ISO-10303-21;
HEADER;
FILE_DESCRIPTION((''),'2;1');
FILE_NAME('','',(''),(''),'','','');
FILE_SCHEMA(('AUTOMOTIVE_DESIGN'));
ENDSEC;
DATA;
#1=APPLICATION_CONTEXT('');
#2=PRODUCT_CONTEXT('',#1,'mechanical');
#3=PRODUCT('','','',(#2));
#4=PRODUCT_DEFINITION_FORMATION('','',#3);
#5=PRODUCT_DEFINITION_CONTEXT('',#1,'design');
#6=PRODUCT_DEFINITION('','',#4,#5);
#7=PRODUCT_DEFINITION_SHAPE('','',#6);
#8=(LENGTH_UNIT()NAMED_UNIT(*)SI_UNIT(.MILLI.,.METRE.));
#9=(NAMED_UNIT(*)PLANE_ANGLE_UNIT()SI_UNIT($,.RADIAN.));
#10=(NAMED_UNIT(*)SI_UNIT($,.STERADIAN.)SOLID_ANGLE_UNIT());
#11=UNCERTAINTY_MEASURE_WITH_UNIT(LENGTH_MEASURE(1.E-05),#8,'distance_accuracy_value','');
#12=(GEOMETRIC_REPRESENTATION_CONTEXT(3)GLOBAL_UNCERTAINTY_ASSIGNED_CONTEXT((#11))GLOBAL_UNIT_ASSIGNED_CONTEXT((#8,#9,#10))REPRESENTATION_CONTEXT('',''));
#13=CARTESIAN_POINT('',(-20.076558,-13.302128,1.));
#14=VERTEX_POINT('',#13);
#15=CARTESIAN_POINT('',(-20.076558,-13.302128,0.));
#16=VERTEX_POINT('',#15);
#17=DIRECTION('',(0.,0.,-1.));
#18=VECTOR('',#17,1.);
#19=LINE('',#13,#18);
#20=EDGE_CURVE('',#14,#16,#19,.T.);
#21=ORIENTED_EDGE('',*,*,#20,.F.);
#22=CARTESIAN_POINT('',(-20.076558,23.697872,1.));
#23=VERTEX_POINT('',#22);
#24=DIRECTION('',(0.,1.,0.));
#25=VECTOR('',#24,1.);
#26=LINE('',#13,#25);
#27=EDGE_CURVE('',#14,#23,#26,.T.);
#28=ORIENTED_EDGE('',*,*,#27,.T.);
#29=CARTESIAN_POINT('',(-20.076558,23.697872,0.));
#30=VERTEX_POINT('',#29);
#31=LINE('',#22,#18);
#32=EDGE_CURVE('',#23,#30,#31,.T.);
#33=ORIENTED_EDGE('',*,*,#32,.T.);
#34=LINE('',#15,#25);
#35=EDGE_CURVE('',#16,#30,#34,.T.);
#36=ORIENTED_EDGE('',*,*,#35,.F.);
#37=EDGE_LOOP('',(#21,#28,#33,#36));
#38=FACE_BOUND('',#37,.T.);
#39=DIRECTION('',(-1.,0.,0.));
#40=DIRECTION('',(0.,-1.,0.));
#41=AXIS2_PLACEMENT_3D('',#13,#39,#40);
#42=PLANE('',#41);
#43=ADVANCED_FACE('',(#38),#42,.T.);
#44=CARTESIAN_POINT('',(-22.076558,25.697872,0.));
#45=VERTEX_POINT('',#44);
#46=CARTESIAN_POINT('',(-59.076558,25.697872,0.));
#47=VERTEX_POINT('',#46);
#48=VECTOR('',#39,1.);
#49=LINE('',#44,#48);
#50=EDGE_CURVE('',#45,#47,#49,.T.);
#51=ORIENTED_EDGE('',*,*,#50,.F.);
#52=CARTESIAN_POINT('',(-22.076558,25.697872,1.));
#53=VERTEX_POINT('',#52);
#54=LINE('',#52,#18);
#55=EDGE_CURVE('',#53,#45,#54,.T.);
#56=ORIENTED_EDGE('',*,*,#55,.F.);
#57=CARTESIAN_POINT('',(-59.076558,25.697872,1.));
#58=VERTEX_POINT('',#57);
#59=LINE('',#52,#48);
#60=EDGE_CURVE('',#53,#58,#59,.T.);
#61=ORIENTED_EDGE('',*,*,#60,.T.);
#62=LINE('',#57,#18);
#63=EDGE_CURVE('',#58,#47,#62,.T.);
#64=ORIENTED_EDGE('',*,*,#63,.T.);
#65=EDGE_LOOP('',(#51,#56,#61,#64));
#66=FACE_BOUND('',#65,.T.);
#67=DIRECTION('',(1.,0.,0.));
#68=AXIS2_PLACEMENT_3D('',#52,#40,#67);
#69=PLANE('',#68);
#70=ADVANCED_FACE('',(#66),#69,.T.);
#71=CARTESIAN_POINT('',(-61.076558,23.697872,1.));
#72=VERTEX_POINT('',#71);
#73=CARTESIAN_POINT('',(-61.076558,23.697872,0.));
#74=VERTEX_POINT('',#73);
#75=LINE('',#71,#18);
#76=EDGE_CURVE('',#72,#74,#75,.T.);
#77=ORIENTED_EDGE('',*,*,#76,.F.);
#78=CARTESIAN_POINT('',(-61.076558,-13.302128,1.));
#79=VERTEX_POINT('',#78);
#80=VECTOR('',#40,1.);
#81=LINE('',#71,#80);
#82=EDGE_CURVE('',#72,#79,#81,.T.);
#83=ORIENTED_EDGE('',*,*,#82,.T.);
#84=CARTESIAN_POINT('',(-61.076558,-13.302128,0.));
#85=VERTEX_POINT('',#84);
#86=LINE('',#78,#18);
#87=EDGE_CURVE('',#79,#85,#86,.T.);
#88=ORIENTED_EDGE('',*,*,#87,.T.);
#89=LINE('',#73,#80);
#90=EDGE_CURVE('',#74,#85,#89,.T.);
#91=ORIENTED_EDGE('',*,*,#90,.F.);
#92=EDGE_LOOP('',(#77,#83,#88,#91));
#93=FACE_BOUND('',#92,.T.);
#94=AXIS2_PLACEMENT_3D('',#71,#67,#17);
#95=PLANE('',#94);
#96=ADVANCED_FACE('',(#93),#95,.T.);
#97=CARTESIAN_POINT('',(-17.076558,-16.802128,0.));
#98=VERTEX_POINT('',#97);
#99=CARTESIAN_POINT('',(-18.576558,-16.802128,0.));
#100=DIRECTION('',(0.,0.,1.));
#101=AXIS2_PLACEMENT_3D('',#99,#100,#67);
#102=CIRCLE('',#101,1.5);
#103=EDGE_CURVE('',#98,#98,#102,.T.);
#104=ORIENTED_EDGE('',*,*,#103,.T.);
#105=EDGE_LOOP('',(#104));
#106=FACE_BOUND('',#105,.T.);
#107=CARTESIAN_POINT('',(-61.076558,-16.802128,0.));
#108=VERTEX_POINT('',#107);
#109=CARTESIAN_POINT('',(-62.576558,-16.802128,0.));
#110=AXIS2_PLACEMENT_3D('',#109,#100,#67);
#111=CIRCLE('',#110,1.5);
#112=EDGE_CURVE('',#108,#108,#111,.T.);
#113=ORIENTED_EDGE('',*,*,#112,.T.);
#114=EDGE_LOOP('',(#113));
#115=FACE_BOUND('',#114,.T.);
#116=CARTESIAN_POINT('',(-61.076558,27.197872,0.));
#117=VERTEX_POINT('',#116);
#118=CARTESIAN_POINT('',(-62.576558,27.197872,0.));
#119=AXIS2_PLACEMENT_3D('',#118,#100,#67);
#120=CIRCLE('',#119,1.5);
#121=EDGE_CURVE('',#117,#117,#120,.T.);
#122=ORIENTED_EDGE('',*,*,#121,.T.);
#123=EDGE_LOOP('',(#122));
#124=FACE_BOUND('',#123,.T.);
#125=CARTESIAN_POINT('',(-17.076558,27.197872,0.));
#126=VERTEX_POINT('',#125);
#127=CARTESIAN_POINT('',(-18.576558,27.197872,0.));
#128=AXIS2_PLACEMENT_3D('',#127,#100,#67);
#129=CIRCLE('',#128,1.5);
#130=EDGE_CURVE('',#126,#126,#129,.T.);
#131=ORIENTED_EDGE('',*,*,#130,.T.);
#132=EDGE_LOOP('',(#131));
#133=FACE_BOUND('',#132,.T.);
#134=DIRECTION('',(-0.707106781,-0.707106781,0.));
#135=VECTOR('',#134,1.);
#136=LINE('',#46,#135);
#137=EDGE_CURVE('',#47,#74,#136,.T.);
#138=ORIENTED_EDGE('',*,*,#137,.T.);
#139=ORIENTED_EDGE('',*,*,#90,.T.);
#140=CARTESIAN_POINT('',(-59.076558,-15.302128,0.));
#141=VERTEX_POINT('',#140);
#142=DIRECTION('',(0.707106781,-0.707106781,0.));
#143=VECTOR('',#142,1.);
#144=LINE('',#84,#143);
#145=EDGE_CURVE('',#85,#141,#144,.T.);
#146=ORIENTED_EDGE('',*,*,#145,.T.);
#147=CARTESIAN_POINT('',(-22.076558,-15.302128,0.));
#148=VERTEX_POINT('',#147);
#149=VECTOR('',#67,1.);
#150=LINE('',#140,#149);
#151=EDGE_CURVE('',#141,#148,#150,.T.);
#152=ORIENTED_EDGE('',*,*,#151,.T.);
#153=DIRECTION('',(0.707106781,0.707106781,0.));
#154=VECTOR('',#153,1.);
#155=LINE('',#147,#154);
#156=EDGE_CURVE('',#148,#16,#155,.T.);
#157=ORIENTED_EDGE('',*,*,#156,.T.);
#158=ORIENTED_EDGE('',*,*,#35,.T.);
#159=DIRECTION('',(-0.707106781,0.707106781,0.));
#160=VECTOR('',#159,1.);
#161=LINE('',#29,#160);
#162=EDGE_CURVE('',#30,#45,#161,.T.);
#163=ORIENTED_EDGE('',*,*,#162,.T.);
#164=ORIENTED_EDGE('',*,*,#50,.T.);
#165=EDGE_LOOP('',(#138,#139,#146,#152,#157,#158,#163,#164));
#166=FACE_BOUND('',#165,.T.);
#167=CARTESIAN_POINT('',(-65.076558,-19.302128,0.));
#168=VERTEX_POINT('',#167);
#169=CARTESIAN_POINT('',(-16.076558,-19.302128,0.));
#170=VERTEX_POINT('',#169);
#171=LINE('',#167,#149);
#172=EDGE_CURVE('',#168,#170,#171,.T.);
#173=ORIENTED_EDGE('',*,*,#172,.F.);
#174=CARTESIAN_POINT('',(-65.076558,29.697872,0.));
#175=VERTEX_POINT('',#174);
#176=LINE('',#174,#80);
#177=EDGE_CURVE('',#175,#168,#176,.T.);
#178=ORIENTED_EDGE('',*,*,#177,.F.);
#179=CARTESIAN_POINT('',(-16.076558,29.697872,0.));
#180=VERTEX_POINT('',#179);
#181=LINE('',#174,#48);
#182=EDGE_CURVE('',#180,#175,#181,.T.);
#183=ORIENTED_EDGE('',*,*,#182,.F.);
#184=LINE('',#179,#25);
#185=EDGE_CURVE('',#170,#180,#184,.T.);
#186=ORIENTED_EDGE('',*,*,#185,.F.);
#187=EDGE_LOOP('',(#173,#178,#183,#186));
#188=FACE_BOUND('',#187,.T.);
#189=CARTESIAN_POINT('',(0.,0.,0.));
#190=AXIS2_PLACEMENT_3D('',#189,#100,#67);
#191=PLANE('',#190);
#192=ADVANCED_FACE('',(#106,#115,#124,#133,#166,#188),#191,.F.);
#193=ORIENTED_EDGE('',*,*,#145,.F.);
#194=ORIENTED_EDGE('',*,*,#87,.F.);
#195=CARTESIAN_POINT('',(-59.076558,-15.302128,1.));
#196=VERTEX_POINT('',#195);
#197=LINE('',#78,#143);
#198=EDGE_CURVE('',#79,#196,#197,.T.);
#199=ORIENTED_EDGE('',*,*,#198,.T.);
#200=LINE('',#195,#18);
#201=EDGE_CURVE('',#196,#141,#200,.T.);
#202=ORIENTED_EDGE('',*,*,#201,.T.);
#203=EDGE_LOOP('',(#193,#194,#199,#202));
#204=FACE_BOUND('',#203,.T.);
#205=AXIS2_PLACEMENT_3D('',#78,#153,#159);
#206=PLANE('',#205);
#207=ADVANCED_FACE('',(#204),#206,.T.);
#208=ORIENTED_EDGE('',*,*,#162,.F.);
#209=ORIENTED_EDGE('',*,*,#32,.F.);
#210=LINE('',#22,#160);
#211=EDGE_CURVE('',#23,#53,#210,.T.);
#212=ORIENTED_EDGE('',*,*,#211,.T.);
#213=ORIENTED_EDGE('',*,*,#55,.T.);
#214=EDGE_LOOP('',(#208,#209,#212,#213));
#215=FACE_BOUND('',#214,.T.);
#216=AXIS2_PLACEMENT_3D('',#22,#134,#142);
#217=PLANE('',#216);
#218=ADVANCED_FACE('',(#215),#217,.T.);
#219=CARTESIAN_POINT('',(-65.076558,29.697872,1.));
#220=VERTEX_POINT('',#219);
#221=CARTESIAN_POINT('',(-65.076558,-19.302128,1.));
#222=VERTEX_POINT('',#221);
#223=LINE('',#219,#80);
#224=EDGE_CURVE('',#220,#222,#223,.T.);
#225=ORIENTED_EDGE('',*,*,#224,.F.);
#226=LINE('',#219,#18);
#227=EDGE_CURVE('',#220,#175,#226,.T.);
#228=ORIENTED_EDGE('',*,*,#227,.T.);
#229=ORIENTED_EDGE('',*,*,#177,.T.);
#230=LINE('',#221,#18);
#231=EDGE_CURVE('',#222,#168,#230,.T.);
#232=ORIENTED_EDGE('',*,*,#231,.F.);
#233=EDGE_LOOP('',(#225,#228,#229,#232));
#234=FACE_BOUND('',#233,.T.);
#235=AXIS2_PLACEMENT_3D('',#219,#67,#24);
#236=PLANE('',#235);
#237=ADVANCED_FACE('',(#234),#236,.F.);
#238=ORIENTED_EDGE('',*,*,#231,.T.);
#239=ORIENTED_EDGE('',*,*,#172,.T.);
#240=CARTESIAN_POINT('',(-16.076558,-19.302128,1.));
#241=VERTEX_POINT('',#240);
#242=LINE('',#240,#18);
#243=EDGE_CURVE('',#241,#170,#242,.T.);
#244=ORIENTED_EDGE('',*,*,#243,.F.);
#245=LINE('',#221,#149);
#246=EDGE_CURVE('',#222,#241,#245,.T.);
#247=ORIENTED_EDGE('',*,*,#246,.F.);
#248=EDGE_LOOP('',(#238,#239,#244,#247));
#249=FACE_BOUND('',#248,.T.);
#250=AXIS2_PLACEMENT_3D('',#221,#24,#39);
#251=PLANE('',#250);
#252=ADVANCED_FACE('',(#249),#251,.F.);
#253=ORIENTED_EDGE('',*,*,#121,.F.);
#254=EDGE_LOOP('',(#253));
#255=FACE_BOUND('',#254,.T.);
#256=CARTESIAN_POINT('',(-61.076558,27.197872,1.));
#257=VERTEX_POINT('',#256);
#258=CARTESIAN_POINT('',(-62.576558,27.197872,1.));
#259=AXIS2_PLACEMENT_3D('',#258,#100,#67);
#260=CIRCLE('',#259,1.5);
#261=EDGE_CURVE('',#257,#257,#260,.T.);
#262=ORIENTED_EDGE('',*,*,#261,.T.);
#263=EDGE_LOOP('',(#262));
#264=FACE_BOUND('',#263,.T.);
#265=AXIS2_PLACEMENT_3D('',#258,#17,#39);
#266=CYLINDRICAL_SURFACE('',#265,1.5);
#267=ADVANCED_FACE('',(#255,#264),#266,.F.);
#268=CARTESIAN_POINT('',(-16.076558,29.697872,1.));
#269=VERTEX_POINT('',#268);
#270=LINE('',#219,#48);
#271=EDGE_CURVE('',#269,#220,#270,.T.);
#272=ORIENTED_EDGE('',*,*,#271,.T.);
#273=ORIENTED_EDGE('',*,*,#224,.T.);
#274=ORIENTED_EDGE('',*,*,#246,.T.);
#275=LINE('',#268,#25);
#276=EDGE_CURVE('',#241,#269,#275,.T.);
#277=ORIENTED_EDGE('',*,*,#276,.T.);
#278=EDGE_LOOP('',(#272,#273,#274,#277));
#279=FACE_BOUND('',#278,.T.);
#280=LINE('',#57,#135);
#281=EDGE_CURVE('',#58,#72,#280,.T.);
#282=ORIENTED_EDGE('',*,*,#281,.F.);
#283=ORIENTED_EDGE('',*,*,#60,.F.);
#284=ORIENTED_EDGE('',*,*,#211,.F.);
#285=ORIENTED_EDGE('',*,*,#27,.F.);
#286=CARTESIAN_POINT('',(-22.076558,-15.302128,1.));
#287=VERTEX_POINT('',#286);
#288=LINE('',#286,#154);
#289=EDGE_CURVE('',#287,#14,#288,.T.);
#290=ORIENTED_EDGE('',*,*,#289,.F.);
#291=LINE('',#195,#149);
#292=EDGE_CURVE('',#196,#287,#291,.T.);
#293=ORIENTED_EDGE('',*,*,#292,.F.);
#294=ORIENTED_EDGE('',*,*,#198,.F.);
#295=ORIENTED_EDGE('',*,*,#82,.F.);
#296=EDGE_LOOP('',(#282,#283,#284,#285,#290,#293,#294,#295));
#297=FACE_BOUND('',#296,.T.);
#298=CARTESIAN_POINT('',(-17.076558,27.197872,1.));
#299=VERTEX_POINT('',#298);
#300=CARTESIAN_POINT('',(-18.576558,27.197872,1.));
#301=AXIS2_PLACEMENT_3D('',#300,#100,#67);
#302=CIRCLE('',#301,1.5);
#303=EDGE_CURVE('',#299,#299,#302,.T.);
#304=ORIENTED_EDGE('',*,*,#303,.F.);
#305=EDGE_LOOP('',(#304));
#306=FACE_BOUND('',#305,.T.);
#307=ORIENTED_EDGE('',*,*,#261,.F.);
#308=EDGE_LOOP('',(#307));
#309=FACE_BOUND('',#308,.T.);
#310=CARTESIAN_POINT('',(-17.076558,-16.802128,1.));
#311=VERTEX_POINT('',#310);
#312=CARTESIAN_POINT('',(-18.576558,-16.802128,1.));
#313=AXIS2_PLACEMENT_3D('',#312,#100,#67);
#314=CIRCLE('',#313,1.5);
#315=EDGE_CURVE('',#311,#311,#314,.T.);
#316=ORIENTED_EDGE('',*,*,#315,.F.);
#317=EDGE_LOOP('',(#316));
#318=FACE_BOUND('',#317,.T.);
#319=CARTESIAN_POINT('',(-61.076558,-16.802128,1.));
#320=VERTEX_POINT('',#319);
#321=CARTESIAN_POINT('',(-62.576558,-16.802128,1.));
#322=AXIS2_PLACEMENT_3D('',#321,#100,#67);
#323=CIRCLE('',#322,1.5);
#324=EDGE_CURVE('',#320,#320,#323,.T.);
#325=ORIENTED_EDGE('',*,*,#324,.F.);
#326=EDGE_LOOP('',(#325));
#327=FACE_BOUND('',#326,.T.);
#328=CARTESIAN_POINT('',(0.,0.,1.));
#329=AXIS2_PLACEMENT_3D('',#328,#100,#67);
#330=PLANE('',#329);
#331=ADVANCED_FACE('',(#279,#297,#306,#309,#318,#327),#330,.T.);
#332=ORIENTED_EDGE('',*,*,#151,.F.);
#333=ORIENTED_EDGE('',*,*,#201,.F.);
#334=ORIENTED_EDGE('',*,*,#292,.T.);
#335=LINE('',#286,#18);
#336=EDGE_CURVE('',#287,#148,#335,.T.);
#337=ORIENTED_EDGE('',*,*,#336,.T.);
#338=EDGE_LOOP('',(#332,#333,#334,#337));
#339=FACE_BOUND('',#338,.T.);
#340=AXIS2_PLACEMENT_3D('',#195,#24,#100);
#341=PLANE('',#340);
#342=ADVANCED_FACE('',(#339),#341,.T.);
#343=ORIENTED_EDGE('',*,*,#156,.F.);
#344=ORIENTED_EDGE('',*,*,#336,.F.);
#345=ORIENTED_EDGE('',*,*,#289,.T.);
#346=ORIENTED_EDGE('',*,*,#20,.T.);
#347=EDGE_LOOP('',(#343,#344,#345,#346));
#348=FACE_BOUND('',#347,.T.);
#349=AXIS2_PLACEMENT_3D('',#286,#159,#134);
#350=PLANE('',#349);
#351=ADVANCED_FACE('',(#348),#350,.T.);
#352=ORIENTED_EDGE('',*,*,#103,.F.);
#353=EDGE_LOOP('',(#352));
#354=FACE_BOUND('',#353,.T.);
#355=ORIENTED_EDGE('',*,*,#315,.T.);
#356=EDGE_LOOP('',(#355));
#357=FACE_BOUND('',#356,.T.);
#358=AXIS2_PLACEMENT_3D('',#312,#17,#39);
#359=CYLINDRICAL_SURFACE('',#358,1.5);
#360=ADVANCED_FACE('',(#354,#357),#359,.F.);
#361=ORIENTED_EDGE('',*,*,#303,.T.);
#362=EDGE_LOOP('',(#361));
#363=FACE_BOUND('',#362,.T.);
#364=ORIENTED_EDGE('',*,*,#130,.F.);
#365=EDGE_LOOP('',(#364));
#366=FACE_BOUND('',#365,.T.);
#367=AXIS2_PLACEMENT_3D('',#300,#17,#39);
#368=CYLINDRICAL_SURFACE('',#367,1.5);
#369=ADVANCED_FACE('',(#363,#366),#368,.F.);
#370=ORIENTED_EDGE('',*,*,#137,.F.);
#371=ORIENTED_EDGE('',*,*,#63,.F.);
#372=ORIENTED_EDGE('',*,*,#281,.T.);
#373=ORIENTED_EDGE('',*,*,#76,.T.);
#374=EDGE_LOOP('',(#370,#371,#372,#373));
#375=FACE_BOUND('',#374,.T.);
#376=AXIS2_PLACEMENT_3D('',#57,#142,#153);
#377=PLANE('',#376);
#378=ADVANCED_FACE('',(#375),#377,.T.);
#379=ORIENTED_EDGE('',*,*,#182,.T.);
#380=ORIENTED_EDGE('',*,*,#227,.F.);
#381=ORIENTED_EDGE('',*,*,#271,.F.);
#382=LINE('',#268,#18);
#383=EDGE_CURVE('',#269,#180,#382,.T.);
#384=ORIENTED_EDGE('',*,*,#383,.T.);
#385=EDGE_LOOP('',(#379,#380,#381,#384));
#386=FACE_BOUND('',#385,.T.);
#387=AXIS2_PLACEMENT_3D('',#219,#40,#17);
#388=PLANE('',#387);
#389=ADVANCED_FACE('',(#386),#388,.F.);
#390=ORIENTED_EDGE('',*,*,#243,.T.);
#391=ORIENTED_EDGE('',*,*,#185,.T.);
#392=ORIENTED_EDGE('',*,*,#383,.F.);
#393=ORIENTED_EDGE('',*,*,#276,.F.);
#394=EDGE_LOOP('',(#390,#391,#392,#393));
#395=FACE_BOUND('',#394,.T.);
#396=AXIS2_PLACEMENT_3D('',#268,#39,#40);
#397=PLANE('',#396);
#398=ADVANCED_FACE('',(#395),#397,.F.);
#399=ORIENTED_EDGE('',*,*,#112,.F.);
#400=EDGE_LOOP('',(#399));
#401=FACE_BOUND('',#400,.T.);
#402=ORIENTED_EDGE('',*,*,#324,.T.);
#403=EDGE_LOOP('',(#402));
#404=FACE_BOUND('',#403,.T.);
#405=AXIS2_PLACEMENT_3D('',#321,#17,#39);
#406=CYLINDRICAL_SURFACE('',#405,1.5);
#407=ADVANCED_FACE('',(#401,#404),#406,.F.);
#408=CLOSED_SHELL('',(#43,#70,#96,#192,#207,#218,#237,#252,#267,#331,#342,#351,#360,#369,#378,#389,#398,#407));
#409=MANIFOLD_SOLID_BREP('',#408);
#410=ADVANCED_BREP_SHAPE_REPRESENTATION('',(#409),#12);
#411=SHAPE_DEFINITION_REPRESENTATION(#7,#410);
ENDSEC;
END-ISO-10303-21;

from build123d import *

# Parameters (mm, degrees)
CROQUIS1_W              = 49
CROQUIS1_H              = 49
CROQUIS1_R              = 1.5
SALIENTE_EXTRUIR1_DEPTH = 1


with BuildPart() as part:
    # Croquis1 → Saliente-Extruir1 (new body)
    with BuildSketch(Plane.XY):
        with Locations((-40.576557533, 5.197871677)):
            Rectangle(CROQUIS1_W, CROQUIS1_H)
        with Locations((-62.576557533, 27.197871677)):
            Circle(CROQUIS1_R, mode=Mode.SUBTRACT)
        with Locations((-18.576557533, 27.197871677)):
            Circle(CROQUIS1_R, mode=Mode.SUBTRACT)
        with Locations((-18.576557533, -16.802128323)):
            Circle(CROQUIS1_R, mode=Mode.SUBTRACT)
        with Locations((-62.576557533, -16.802128323)):
            Circle(CROQUIS1_R, mode=Mode.SUBTRACT)
        Polygon((-61.076557533, 23.697871677), (-61.076557533, -13.302128323), (-59.076557533, -15.302128323), (-22.076557533, -15.302128323), (-20.076557533, -13.302128323), (-20.076557533, 23.697871677), (-22.076557533, 25.697871677), (-59.076557533, 25.697871677), align=None, mode=Mode.SUBTRACT)
    extrude(amount=SALIENTE_EXTRUIR1_DEPTH)


solid = part.part
